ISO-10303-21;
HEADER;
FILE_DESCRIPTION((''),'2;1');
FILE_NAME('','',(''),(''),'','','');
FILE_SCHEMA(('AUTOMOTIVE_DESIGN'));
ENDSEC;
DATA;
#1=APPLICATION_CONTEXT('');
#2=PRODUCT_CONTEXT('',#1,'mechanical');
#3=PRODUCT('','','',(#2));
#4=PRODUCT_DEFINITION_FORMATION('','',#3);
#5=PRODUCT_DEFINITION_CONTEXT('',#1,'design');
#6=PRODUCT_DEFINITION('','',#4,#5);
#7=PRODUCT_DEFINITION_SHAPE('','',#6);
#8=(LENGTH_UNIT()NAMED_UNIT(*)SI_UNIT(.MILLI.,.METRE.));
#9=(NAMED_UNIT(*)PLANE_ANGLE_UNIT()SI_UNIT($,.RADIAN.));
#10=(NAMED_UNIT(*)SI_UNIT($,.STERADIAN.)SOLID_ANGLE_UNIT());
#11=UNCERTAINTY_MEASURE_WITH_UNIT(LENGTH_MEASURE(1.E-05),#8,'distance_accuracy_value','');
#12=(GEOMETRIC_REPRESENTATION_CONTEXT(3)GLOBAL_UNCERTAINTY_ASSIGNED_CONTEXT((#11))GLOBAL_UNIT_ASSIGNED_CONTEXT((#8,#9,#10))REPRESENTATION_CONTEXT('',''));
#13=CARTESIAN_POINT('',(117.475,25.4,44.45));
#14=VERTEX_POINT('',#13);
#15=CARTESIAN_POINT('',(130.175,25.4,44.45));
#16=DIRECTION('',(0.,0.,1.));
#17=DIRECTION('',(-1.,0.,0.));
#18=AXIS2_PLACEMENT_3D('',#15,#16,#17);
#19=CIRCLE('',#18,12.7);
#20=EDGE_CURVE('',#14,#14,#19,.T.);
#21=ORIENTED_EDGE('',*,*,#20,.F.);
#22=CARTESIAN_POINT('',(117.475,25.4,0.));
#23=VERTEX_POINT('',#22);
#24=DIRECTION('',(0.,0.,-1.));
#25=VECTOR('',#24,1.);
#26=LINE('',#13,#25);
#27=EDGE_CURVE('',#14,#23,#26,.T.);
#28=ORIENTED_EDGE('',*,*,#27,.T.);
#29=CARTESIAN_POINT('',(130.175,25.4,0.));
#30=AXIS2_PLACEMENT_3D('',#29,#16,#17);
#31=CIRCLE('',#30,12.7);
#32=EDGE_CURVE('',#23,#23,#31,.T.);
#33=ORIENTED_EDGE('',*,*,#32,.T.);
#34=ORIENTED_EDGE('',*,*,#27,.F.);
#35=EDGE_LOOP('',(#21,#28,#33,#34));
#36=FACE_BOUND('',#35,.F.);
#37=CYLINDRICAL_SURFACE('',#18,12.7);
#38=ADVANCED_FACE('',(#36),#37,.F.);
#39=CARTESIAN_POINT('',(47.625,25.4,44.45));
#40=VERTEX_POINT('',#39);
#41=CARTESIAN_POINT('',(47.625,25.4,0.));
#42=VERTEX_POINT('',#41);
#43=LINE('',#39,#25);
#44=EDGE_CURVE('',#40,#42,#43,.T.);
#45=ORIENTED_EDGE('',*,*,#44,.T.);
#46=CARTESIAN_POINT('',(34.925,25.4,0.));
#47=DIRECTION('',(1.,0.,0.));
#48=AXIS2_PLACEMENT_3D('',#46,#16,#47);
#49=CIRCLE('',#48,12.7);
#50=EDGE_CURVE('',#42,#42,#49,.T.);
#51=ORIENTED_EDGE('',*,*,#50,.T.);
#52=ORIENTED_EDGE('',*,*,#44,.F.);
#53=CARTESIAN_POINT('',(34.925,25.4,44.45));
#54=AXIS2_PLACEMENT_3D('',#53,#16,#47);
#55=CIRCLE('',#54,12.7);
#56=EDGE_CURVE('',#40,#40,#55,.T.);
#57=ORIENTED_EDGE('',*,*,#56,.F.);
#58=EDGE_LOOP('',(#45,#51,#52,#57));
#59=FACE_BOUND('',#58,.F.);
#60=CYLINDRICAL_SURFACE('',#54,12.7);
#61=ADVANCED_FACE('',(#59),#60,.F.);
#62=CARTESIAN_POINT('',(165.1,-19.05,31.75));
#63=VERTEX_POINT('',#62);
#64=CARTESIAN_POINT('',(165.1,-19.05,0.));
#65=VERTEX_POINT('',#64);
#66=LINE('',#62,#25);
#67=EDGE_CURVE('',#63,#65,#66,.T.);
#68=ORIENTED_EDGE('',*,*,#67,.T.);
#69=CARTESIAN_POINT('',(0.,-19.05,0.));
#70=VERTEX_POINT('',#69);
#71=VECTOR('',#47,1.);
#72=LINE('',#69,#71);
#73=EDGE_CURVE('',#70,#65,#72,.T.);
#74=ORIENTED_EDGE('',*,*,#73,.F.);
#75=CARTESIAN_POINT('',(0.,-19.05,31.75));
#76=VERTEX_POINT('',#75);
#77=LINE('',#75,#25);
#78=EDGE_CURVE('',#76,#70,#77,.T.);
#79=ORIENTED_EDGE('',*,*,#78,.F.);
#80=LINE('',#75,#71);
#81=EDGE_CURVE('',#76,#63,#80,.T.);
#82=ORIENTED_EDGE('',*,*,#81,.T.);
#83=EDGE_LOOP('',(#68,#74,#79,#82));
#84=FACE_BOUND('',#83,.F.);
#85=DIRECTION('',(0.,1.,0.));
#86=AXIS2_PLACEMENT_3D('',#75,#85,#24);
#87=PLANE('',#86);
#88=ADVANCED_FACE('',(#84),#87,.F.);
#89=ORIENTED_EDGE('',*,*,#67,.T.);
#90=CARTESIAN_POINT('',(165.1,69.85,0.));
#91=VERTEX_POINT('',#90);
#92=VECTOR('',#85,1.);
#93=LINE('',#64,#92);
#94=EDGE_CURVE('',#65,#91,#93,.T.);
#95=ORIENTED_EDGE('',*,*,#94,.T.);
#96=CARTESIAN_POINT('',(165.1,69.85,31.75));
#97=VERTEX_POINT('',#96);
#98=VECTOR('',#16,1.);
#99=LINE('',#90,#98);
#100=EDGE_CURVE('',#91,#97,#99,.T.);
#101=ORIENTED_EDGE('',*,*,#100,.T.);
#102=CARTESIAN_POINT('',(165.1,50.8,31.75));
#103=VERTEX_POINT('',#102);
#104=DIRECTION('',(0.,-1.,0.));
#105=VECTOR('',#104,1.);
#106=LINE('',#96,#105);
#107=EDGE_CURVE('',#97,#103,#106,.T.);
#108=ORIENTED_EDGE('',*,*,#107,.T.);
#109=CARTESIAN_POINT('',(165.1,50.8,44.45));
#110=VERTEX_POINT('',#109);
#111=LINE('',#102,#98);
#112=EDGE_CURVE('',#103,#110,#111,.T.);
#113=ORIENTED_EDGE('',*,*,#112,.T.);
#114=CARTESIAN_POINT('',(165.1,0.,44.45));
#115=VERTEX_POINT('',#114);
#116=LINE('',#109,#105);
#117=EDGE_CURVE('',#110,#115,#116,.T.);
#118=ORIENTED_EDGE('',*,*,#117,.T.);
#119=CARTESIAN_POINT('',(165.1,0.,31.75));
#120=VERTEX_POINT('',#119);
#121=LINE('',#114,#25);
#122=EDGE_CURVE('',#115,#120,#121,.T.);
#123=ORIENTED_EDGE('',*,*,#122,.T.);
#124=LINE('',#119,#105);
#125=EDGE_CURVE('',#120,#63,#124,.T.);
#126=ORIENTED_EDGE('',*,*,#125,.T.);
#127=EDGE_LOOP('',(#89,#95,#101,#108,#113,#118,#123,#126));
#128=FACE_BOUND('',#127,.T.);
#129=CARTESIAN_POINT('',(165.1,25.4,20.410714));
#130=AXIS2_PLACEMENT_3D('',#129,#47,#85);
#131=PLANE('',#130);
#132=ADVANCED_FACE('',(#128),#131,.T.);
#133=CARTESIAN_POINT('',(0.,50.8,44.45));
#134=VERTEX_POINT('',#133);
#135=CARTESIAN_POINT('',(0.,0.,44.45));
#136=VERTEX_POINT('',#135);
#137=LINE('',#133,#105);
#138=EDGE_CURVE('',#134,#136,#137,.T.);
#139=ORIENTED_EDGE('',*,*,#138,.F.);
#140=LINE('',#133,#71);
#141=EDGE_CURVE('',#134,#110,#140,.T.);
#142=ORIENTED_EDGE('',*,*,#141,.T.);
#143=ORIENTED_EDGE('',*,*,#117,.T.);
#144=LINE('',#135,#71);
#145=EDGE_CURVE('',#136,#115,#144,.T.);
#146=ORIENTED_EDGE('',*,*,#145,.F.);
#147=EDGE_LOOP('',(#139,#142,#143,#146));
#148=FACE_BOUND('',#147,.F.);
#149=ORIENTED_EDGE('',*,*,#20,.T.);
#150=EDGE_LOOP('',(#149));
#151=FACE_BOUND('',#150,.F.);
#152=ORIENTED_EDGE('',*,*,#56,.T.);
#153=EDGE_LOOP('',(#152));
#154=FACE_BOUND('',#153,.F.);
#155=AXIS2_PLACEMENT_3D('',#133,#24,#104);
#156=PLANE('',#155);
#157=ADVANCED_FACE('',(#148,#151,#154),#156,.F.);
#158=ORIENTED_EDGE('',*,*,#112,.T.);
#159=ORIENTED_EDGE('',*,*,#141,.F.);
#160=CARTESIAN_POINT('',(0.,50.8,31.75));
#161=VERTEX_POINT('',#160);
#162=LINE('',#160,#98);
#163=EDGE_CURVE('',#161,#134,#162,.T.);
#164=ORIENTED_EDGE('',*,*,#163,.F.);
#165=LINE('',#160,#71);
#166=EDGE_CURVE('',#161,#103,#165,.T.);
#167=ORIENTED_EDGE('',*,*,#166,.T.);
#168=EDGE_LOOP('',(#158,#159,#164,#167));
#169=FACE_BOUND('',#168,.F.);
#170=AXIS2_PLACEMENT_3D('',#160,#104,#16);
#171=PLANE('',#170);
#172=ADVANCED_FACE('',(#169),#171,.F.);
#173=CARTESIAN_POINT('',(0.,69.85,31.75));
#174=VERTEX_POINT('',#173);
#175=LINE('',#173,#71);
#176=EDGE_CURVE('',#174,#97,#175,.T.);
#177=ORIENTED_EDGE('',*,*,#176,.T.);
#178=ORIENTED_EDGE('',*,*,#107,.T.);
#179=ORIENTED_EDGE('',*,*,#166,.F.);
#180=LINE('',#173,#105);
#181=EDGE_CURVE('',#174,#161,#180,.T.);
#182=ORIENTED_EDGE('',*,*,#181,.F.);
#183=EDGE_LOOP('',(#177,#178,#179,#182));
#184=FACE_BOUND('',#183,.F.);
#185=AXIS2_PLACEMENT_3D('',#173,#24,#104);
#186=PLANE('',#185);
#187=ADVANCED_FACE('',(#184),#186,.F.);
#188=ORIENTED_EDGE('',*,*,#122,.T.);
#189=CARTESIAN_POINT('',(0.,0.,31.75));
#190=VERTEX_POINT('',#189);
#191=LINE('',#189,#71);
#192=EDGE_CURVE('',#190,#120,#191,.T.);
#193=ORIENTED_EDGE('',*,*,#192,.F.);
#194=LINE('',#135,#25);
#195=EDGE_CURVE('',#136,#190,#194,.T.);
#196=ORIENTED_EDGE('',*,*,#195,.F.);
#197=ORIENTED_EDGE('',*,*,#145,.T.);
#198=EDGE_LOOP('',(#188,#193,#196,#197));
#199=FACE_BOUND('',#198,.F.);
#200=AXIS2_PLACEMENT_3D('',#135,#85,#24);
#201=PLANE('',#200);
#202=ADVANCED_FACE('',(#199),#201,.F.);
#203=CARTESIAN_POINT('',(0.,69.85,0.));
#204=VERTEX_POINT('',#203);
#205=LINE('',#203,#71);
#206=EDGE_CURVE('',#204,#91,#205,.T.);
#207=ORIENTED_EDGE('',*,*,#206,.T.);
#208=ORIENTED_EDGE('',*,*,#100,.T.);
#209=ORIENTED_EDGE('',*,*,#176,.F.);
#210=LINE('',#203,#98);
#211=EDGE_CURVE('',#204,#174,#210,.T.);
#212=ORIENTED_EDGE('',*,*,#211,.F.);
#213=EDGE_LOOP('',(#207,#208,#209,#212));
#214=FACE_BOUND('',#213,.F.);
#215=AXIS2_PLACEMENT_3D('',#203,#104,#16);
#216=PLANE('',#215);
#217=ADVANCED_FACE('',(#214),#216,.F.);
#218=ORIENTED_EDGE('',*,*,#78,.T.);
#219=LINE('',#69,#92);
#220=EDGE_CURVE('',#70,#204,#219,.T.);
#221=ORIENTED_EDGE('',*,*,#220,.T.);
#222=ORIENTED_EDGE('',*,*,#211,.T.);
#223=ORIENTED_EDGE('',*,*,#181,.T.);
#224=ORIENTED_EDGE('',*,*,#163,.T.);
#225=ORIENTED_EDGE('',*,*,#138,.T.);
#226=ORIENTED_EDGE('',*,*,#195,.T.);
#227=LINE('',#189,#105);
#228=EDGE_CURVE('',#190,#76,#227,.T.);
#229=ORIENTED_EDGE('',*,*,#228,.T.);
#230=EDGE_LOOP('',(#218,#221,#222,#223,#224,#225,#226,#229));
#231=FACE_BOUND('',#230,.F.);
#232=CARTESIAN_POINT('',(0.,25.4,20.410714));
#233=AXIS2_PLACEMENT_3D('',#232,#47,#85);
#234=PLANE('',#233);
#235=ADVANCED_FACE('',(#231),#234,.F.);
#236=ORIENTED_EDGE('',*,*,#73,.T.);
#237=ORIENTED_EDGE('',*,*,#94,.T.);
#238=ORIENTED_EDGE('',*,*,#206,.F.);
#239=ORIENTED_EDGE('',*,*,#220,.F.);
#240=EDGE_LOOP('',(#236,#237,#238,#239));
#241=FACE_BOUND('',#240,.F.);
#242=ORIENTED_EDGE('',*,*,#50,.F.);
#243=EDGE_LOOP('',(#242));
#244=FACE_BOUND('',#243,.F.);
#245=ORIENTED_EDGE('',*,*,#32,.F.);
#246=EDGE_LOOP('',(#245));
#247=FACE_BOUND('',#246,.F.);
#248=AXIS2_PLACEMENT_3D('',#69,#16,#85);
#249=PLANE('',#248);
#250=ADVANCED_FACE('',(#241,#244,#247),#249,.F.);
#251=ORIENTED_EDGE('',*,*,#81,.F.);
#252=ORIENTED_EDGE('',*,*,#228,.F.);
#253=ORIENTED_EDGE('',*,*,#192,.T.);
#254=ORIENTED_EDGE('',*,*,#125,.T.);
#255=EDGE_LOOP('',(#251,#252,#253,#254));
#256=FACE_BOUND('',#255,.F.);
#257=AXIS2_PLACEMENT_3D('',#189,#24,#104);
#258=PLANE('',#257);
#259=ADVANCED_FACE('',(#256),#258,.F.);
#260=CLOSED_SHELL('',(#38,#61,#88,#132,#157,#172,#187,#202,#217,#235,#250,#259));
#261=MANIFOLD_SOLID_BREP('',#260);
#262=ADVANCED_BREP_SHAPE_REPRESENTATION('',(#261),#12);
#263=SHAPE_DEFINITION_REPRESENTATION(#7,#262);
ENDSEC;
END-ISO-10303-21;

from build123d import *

# Parameters (mm, degrees)
F1_DEPTH = 165.1
F3_DEPTH = 44.45


with BuildPart() as f1:
    # F0 (on Right) → F1 (new body)
    with BuildSketch(Plane.YZ):
        Polygon((-19.05, 0), (0, 0), (69.85, 0), (69.85, 31.75), (50.8, 31.75), (50.8, 44.45), (0, 44.45), (0, 31.75), (-19.05, 31.75), align=None)
    extrude(amount=F1_DEPTH)

    # F2 (on face) → F3 (cut, through all)
    with BuildSketch(Plane.XY.offset(44.45)):
        with BuildLine():
            Line((34.925, 25.4), (22.225, 25.4))
            ThreePointArc((22.225, 25.4), (34.925, 12.7), (47.625, 25.4))
            Line((47.625, 25.4), (34.925, 25.4))
        make_face()
        with BuildLine():
            ThreePointArc((142.875, 25.4), (130.175, 38.1), (117.475, 25.4))
            Line((117.475, 25.4), (130.175, 25.4))
            Line((130.175, 25.4), (142.875, 25.4))
        make_face()
        with BuildLine():
            Line((130.175, 25.4), (117.475, 25.4))
            ThreePointArc((117.475, 25.4), (130.175, 12.7), (142.875, 25.4))
            Line((142.875, 25.4), (130.175, 25.4))
        make_face()
        with BuildLine():
            ThreePointArc((47.625, 25.4), (34.925, 38.1), (22.225, 25.4))
            Line((22.225, 25.4), (34.925, 25.4))
            Line((34.925, 25.4), (47.625, 25.4))
        make_face()
    extrude(amount=-F3_DEPTH, mode=Mode.SUBTRACT)


solid = f1.part
